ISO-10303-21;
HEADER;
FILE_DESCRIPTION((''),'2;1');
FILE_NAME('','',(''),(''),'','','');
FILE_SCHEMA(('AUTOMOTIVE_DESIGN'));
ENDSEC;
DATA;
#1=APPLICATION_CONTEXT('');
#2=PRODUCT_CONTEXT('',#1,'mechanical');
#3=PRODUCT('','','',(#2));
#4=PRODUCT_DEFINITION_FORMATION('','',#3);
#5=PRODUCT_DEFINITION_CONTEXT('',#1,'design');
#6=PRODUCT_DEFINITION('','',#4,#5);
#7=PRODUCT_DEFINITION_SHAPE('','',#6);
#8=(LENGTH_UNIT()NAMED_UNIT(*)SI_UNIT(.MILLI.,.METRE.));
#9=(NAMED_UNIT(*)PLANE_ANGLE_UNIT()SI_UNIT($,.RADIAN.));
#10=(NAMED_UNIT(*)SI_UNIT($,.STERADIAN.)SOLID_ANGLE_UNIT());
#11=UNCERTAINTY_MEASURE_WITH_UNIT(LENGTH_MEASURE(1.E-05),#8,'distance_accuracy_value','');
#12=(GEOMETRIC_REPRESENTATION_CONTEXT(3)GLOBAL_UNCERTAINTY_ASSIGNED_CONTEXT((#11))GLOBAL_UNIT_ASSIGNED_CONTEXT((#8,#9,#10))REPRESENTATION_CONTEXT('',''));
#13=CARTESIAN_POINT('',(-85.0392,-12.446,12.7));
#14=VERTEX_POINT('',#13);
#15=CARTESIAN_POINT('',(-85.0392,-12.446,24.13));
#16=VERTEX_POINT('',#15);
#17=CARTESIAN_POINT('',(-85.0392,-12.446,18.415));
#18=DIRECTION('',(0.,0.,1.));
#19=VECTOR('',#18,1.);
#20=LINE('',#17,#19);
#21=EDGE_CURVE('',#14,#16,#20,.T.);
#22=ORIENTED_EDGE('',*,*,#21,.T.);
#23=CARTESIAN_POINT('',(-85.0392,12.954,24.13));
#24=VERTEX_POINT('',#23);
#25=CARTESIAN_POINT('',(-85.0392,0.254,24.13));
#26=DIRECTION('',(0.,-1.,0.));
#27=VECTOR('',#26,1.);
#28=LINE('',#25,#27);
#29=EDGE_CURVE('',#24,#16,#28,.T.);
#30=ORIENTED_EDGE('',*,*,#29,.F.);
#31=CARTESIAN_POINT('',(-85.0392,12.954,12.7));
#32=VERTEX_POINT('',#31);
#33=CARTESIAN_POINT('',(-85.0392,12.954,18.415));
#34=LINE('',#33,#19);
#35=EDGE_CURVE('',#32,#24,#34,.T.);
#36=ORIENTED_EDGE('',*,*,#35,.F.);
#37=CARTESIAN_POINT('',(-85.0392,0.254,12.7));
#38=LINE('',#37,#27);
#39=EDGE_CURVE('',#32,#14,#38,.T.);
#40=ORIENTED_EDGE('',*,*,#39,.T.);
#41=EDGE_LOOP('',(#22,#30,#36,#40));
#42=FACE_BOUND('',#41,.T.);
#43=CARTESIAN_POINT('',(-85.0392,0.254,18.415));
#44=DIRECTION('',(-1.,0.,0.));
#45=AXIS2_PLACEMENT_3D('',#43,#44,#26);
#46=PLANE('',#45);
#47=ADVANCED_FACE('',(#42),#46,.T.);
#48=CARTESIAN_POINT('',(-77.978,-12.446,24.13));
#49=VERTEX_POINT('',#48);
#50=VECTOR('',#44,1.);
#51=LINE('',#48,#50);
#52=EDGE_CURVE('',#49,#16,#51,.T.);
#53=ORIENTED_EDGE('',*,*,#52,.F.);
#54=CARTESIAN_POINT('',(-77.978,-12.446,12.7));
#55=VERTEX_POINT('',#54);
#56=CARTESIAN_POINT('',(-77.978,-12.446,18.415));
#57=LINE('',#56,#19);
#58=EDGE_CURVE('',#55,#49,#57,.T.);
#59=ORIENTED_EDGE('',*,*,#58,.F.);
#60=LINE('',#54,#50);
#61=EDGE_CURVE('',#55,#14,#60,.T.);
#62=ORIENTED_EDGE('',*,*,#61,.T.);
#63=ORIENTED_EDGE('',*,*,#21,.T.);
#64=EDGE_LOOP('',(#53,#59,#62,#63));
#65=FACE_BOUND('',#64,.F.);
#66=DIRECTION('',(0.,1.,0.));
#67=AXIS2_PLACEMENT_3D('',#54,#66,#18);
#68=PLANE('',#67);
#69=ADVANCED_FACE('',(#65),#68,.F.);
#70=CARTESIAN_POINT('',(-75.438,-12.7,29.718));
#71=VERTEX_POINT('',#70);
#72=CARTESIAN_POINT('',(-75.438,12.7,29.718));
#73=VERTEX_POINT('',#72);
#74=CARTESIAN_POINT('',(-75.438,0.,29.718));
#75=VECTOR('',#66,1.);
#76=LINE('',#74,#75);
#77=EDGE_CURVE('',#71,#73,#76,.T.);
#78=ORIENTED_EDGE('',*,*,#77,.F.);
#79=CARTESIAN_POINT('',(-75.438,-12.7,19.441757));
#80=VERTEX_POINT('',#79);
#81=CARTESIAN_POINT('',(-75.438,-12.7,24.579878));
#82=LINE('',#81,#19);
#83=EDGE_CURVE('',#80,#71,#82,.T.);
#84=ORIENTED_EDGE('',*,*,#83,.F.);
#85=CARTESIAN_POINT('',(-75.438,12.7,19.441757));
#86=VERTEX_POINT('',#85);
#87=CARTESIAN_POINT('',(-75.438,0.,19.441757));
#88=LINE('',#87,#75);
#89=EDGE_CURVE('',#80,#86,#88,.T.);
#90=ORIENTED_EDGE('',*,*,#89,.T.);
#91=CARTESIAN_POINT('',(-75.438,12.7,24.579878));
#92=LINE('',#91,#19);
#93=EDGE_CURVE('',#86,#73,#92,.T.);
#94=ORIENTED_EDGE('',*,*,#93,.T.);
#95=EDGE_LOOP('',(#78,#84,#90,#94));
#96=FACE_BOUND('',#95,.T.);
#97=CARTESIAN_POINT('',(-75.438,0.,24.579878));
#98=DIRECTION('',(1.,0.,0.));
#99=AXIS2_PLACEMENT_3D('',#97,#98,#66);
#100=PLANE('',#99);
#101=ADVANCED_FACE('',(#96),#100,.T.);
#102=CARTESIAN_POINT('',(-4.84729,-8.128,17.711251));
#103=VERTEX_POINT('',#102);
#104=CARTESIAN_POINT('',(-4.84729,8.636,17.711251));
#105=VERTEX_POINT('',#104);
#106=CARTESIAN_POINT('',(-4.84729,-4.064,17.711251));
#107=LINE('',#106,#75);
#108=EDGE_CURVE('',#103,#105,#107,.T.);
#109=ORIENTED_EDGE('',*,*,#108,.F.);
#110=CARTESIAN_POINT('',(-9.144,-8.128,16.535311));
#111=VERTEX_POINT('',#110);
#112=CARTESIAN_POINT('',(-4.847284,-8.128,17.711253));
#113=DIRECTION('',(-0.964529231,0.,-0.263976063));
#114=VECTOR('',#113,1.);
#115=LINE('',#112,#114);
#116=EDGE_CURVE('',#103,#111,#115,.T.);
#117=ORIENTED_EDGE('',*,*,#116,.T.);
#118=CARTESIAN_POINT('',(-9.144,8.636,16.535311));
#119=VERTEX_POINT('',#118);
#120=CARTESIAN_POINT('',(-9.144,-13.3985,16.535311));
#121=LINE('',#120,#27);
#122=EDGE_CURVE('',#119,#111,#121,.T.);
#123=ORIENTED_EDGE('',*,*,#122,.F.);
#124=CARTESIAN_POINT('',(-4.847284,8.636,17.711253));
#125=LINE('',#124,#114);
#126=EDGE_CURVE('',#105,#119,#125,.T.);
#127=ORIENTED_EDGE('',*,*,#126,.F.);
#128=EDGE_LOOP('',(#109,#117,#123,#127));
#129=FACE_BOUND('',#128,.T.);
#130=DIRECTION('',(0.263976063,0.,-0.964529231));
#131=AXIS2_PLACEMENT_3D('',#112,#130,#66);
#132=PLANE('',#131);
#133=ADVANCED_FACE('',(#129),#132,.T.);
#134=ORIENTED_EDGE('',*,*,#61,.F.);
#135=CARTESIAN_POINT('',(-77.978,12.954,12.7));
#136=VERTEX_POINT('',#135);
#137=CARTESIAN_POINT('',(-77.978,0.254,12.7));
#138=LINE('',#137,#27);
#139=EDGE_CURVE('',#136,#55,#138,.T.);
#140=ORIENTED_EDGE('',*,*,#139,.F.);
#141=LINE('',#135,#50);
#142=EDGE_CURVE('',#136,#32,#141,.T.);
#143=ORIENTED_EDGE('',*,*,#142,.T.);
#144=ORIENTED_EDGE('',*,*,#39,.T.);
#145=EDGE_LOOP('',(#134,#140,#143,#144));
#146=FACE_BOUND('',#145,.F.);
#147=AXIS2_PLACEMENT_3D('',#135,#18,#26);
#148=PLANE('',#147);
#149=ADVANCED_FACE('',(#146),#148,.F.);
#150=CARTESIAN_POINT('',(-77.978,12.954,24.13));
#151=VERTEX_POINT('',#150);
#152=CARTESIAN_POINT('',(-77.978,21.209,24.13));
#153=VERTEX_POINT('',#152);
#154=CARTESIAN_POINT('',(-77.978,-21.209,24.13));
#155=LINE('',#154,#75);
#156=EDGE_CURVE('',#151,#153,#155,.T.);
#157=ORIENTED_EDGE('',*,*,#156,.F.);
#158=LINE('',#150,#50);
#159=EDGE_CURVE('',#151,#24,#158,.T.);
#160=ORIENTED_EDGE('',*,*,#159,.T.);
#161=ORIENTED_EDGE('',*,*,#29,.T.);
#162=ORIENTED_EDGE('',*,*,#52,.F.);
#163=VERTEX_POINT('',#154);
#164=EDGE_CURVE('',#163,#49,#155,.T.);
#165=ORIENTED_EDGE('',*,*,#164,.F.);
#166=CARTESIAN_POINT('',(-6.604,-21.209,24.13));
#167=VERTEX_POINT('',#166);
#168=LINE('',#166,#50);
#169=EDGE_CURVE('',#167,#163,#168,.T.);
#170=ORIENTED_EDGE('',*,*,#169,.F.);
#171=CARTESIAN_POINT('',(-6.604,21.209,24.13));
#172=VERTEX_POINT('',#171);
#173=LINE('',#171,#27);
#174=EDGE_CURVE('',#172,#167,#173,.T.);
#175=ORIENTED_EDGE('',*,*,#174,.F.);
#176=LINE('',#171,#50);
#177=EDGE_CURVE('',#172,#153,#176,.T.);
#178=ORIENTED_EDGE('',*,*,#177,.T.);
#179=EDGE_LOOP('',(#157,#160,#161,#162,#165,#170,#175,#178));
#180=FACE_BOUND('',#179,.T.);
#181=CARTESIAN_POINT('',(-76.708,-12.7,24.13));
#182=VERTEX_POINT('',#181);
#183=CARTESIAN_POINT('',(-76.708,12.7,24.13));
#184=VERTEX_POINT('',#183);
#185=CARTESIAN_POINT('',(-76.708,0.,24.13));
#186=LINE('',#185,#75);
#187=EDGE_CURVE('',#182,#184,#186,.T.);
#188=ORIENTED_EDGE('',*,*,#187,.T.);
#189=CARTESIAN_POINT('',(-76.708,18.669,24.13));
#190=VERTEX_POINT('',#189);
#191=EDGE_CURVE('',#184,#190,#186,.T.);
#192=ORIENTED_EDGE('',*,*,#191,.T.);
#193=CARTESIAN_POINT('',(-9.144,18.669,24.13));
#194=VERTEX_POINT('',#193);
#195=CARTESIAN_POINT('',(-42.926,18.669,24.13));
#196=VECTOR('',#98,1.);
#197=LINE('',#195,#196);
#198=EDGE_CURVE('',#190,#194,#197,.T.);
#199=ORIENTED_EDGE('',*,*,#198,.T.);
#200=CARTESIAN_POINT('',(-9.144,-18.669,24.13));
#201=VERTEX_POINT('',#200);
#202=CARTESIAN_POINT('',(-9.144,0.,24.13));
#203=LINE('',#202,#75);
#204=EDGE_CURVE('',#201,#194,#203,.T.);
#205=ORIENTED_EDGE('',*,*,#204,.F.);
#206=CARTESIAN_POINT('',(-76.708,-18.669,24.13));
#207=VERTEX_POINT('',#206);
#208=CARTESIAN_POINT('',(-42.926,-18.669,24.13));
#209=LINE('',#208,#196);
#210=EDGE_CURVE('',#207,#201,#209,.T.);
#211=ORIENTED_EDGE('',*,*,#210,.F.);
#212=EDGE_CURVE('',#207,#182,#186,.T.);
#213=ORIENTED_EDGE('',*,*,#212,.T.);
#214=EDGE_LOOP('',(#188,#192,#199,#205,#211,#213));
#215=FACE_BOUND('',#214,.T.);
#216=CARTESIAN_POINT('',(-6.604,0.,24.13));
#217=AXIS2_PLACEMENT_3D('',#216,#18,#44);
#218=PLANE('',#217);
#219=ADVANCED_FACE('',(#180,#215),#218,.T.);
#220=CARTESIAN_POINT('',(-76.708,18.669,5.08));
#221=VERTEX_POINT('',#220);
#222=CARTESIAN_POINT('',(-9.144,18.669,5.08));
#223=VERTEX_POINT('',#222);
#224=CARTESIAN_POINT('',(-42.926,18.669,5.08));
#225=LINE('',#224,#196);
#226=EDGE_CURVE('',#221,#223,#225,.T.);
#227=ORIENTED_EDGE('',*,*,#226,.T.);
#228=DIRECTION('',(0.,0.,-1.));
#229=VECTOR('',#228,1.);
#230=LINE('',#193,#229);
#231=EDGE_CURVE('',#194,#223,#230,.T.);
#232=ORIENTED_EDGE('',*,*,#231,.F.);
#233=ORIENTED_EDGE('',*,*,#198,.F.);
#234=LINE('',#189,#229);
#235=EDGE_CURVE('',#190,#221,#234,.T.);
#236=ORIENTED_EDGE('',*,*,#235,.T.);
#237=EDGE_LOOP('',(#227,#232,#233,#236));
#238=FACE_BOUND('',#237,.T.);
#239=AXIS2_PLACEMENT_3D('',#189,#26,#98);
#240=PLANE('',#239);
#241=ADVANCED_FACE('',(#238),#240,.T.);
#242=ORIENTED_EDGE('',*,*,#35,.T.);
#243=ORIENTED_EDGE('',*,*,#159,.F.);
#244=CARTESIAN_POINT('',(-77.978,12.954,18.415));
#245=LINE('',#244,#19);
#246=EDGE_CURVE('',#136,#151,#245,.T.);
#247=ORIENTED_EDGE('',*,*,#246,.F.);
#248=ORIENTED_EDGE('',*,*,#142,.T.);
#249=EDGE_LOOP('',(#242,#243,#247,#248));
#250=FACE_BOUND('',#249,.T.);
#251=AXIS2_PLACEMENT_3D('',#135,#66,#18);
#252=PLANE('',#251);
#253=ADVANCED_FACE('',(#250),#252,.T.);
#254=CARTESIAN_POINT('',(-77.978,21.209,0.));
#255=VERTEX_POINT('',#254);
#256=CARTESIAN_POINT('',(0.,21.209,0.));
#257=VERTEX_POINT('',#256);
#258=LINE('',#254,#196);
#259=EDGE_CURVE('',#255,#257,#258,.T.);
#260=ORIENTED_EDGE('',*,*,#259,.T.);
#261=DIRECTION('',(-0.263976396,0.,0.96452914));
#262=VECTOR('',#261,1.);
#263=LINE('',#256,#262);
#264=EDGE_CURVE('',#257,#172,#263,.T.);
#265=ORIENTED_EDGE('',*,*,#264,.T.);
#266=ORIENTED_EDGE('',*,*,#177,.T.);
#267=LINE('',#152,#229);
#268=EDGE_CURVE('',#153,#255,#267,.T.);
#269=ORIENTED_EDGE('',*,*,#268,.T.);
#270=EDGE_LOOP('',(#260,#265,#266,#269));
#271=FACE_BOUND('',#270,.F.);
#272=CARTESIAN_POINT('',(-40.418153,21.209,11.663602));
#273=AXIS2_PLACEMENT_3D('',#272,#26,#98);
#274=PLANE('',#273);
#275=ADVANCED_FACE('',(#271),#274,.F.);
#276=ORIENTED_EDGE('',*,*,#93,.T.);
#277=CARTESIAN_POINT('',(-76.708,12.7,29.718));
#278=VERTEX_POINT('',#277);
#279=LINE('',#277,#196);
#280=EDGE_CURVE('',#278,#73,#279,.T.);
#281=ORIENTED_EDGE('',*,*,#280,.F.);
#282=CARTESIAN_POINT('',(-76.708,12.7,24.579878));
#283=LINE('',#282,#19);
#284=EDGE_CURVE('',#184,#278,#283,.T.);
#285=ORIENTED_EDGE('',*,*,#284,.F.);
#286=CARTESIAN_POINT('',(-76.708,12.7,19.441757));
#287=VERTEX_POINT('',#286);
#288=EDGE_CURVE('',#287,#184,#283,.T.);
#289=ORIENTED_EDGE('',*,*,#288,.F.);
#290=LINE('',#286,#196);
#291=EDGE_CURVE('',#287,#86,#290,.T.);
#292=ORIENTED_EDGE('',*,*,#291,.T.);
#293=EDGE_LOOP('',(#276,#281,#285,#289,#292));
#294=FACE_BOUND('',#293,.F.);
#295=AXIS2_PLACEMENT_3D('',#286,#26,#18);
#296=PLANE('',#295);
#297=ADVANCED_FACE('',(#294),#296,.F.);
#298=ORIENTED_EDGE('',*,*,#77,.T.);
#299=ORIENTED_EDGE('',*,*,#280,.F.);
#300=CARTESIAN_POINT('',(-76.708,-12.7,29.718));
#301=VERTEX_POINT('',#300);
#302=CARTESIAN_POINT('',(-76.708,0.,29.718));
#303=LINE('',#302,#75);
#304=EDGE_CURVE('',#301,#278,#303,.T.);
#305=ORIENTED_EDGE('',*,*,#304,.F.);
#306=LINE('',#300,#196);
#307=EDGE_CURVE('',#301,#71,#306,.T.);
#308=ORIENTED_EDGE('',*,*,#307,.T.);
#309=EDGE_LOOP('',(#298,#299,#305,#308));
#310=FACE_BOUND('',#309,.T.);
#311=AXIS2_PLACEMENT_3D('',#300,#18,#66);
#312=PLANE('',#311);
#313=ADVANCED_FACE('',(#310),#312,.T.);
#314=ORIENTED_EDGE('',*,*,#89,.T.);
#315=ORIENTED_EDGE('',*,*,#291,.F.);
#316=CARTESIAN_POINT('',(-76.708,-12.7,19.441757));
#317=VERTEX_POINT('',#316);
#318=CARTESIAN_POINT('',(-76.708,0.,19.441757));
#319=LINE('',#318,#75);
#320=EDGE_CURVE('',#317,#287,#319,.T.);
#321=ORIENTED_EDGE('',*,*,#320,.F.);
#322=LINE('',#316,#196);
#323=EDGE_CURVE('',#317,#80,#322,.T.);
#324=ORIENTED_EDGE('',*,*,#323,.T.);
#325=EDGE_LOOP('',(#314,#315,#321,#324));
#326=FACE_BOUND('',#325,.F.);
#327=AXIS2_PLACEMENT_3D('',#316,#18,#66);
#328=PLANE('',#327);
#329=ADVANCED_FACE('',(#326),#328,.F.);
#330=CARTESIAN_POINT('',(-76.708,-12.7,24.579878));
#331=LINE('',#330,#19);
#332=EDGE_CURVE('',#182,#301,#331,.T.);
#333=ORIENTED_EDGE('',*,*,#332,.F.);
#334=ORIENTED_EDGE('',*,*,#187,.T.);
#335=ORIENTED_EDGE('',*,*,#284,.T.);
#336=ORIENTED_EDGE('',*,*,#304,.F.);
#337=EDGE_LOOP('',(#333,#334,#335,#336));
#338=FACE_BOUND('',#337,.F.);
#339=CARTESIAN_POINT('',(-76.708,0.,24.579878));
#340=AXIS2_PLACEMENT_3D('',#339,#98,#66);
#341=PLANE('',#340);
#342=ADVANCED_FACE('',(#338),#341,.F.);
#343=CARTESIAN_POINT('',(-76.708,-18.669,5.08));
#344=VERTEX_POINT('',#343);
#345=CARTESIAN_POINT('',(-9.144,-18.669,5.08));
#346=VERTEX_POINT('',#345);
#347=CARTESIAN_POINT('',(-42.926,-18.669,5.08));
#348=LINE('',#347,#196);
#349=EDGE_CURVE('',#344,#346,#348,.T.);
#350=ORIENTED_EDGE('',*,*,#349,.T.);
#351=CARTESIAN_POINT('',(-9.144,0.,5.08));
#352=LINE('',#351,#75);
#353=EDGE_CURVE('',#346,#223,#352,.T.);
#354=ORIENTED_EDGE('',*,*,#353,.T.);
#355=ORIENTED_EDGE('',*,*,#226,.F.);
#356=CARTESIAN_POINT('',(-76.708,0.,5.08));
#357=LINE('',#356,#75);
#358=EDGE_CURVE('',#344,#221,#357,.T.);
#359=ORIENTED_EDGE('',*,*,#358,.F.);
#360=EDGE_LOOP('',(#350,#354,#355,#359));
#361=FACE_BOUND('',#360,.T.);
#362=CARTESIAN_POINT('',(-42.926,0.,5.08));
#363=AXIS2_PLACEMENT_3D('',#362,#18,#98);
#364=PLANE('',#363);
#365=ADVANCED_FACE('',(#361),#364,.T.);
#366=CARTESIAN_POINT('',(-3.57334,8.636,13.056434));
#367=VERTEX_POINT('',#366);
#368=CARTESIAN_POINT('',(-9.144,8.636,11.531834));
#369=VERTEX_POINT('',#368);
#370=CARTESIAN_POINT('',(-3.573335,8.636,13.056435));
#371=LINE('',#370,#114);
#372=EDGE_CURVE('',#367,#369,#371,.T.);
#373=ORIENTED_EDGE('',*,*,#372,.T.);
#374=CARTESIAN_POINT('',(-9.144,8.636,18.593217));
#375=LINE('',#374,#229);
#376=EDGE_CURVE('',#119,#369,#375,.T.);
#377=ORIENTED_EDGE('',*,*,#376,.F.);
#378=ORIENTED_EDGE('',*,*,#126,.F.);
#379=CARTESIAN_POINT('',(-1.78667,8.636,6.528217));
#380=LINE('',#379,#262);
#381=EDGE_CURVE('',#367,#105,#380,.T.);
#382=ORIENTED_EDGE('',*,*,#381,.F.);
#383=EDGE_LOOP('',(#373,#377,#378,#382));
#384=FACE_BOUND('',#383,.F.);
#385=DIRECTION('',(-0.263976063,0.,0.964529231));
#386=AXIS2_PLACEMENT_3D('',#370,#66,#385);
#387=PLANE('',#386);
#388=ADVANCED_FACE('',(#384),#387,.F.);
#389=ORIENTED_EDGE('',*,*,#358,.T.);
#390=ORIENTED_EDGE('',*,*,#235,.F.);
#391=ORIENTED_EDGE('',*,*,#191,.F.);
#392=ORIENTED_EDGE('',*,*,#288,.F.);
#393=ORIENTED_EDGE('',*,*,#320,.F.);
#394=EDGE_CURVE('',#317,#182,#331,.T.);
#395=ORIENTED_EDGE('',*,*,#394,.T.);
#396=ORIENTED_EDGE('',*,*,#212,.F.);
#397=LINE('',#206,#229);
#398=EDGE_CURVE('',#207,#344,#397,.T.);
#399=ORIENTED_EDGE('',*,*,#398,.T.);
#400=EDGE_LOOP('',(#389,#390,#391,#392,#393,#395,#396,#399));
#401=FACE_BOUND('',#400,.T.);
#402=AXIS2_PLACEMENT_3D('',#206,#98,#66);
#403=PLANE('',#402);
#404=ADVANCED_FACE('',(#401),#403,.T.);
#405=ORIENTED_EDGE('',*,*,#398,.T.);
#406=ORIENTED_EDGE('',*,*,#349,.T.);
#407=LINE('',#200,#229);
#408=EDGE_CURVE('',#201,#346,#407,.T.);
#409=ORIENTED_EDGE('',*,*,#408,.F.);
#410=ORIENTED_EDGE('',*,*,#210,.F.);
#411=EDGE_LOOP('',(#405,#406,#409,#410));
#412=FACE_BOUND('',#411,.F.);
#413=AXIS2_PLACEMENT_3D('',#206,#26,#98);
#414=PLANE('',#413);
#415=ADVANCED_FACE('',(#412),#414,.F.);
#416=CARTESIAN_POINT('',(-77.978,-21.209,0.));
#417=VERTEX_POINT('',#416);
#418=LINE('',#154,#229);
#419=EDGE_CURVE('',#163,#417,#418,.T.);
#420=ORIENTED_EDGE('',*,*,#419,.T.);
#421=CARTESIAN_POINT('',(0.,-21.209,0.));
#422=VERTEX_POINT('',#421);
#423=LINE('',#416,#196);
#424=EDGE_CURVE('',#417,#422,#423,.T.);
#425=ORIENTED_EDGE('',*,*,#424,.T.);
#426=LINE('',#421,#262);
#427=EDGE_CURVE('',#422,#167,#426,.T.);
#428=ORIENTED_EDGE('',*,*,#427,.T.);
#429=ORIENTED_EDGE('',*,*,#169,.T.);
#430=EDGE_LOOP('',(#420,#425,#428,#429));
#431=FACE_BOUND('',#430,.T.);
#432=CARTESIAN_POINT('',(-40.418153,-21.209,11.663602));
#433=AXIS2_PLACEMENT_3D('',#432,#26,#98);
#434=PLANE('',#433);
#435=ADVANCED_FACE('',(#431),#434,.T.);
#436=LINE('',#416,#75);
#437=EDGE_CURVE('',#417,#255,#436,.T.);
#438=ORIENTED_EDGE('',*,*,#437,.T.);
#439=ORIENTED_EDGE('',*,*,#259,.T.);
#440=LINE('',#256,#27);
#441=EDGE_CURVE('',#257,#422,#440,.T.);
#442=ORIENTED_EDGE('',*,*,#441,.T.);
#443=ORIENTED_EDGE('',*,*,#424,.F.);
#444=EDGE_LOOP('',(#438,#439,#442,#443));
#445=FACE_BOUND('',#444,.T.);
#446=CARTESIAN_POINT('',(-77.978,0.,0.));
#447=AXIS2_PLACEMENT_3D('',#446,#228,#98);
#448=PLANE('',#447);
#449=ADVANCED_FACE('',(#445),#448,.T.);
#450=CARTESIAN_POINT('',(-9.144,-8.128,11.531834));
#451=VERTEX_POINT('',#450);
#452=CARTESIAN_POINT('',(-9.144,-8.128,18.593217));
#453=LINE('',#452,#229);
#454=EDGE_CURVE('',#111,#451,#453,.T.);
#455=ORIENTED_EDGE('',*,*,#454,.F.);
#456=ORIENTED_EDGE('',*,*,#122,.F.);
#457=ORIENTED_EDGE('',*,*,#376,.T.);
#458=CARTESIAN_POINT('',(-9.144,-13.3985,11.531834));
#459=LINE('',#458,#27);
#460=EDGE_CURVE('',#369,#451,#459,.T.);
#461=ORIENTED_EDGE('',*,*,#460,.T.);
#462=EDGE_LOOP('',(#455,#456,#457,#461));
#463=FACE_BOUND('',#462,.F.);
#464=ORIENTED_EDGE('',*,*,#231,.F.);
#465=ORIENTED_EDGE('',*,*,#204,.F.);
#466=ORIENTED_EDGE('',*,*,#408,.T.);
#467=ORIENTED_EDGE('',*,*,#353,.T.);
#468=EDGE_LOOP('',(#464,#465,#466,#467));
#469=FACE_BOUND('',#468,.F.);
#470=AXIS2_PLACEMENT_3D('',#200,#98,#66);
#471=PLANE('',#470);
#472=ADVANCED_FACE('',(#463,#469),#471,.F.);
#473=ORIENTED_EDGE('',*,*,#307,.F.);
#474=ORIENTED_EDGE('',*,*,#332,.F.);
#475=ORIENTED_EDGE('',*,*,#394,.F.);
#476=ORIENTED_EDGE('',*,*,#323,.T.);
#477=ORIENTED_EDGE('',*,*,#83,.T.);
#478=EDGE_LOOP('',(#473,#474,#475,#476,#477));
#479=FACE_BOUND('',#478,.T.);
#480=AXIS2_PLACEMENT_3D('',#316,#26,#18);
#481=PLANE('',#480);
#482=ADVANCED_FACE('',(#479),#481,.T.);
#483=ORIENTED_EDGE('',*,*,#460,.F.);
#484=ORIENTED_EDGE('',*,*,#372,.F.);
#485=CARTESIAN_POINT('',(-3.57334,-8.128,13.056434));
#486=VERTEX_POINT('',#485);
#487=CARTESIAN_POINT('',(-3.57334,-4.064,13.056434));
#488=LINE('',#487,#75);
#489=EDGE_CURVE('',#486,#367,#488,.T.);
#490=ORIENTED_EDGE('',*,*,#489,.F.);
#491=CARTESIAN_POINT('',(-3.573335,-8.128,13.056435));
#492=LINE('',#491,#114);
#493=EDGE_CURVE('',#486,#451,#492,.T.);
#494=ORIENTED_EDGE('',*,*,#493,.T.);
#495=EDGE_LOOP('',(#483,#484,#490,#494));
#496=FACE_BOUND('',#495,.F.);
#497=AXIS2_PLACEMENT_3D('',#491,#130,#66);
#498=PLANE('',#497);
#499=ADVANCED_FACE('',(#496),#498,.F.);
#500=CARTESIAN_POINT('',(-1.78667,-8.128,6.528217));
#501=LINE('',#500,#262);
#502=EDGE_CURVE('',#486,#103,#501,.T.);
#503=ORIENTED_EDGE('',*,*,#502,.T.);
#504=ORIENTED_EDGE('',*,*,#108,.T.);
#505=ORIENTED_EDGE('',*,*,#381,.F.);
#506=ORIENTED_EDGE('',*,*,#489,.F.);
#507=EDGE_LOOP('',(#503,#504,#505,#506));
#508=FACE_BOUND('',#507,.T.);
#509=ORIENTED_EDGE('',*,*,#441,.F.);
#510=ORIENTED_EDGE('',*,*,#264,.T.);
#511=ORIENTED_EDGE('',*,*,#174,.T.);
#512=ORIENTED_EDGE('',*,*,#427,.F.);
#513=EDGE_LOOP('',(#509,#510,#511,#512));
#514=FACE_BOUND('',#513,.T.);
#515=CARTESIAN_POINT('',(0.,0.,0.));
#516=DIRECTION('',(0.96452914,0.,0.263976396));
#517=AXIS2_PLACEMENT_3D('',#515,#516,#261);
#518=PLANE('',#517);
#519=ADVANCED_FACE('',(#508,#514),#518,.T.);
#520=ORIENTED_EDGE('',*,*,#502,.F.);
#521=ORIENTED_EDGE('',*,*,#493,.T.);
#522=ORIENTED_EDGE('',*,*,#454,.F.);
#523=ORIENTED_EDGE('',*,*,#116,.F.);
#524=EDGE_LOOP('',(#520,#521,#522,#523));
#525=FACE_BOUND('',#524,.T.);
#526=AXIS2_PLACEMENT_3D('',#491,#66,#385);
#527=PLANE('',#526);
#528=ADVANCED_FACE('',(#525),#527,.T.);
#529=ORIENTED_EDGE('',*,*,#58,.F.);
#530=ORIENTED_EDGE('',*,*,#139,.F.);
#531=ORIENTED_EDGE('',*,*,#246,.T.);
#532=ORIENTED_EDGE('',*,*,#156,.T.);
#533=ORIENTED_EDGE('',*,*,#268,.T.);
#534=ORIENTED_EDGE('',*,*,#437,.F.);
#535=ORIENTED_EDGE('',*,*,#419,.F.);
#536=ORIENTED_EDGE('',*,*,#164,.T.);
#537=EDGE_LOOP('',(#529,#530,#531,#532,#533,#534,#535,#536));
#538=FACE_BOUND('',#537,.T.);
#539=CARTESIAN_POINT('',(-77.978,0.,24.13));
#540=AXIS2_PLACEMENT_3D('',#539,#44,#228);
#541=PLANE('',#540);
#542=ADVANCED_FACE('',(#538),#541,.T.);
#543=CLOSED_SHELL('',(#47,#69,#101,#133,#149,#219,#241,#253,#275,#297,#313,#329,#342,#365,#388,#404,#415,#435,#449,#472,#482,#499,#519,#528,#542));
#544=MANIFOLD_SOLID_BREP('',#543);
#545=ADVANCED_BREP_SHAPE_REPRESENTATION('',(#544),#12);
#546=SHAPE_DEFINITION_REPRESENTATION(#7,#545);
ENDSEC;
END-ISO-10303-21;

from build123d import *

# Parameters (mm, degrees)
F1_DEPTH = 21.209
F2_W     = 25.4
F2_H     = 11.43
F3_DEPTH = 7.0612
F4_W     = 16.764
F4_H     = 4.826
F5_DEPTH = 7.366
F6_W     = 67.564
F6_H     = 37.338
F7_DEPTH = 19.05
F8_W     = 25.4
F8_H     = 10.276243
F9_DEPTH = 1.27


with BuildPart() as f1:
    # F0 (on Front) → F1 (new body, symmetric)
    with BuildSketch(Plane.XZ):
        Polygon((-77.978, 0), (0, 0), (-6.604, 24.13), (-77.978, 24.13), align=None)
    extrude(amount=F1_DEPTH, both=True)

    # F2 (on face) → F3 (join)
    with BuildSketch(Plane(origin=(-77.978, 0, 0), x_dir=(0, -1, 0), z_dir=(-1, 0, 0))):
        with Locations((-0.254, 18.415)):
            Rectangle(F2_W, F2_H)
    extrude(amount=F3_DEPTH)

    # F4 (on face) → F5 (cut)
    with BuildSketch(Plane(origin=(0, 0, 0), x_dir=(0, 1, 0), z_dir=(0.964529, 0, 0.263976))):
        with Locations((0.254, 15.949588)):
            Rectangle(F4_W, F4_H)
    extrude(amount=-F5_DEPTH, mode=Mode.SUBTRACT)

    # F6 (on face) → F7 (cut)
    with BuildSketch(Plane.XY.offset(24.13)):
        with Locations((-42.926, 0)):
            Rectangle(F6_W, F6_H)
    extrude(amount=-F7_DEPTH, mode=Mode.SUBTRACT)

    # F8 (on face) → F9 (join)
    with BuildSketch(Plane.YZ.offset(-76.708)):
        with Locations((0, 24.579878)):
            Rectangle(F8_W, F8_H)
    extrude(amount=F9_DEPTH)


solid = f1.part
